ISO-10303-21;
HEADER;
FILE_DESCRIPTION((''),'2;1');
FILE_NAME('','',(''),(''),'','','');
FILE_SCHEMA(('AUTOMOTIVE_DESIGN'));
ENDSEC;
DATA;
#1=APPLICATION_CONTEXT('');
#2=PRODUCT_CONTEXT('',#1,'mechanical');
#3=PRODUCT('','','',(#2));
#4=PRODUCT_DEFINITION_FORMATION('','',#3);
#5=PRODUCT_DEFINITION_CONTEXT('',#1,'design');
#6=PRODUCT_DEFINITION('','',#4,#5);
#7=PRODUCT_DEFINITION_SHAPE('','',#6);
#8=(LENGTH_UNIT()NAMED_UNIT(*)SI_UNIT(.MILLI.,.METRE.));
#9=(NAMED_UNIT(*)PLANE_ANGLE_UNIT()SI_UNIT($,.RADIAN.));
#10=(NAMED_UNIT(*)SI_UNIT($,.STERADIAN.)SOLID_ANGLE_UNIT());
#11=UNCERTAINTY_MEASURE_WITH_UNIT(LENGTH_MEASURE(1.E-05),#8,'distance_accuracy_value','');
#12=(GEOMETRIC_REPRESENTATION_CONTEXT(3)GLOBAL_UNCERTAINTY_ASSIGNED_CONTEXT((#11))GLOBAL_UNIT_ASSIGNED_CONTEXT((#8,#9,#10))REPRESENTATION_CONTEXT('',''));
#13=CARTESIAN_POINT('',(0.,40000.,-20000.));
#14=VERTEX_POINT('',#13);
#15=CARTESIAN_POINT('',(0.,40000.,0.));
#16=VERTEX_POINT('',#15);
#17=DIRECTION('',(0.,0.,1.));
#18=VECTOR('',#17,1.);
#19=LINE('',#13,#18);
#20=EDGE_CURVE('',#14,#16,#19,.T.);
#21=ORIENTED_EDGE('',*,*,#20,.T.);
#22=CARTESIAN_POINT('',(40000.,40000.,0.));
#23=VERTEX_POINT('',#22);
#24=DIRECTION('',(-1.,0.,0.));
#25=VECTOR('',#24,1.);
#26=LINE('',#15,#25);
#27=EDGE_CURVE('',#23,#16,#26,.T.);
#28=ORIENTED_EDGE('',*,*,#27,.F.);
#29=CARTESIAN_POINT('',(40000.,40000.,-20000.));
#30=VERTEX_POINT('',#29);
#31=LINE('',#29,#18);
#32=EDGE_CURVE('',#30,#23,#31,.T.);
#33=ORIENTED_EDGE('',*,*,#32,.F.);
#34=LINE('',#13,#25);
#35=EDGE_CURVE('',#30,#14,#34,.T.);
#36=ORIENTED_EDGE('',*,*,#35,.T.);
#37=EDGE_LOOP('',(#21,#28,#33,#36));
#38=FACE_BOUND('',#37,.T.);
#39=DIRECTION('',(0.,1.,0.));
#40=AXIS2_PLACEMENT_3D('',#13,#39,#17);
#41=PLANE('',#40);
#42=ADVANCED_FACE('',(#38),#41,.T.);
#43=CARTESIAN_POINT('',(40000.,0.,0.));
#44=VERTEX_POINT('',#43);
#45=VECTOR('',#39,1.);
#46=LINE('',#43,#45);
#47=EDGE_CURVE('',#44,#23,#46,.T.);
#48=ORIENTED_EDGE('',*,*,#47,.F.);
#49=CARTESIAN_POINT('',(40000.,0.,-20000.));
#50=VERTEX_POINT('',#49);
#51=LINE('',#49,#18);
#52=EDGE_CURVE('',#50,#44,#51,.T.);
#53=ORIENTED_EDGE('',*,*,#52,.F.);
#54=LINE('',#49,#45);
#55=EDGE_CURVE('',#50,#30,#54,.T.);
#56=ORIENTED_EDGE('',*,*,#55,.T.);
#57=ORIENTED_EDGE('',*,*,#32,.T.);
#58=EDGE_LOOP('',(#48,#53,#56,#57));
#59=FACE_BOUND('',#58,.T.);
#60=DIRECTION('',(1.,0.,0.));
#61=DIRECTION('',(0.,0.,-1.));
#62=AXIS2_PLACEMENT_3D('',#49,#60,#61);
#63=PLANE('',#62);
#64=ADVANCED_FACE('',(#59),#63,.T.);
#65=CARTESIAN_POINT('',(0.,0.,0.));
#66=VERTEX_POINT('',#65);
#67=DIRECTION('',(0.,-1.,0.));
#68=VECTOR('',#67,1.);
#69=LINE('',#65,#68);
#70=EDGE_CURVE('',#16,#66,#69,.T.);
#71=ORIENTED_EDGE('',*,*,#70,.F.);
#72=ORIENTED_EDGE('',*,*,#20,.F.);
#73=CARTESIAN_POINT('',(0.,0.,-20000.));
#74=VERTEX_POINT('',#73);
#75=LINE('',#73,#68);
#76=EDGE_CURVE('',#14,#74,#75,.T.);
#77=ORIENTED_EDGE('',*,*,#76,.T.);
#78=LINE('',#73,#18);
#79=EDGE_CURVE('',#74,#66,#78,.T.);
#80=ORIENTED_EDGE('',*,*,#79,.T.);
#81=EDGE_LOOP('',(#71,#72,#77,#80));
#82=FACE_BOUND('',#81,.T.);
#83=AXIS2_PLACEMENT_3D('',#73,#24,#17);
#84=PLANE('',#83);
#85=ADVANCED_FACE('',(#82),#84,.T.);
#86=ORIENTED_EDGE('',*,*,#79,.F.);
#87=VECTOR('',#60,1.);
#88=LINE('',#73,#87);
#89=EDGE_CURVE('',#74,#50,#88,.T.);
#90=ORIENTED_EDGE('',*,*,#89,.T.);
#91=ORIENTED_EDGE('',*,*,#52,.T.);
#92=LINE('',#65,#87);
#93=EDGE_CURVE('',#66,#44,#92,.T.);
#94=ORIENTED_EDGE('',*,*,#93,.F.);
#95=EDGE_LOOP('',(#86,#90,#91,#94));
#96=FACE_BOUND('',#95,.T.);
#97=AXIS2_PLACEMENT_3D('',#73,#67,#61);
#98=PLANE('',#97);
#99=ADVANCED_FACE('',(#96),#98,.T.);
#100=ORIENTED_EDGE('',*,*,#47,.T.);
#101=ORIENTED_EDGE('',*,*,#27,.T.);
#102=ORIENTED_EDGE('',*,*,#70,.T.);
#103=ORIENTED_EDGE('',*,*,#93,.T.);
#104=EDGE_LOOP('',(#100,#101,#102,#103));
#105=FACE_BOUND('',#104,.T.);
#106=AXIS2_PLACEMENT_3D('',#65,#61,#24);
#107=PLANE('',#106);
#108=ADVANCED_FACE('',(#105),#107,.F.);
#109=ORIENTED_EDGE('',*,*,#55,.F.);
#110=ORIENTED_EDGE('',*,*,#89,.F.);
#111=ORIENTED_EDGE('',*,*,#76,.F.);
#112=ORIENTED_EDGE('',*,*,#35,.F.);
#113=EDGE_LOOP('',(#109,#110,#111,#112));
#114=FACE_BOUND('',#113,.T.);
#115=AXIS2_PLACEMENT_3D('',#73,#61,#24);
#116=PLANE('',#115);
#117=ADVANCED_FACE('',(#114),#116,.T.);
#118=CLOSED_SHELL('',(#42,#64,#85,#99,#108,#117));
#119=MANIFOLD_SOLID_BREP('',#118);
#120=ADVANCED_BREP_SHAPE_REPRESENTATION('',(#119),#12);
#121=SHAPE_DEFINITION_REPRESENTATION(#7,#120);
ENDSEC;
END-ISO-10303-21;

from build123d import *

# Parameters (mm, degrees)
SKETCH_1_W      = 40000
SKETCH_1_H      = 40000
EXTRUDE_1_DEPTH = 20000


with BuildPart() as part:
    # 草图1 → 凸台-拉伸1 (new body)
    with BuildSketch(Plane.XY):
        with Locations((20000, 20000)):
            Rectangle(SKETCH_1_W, SKETCH_1_H)
    extrude(amount=-EXTRUDE_1_DEPTH)


solid = part.part
